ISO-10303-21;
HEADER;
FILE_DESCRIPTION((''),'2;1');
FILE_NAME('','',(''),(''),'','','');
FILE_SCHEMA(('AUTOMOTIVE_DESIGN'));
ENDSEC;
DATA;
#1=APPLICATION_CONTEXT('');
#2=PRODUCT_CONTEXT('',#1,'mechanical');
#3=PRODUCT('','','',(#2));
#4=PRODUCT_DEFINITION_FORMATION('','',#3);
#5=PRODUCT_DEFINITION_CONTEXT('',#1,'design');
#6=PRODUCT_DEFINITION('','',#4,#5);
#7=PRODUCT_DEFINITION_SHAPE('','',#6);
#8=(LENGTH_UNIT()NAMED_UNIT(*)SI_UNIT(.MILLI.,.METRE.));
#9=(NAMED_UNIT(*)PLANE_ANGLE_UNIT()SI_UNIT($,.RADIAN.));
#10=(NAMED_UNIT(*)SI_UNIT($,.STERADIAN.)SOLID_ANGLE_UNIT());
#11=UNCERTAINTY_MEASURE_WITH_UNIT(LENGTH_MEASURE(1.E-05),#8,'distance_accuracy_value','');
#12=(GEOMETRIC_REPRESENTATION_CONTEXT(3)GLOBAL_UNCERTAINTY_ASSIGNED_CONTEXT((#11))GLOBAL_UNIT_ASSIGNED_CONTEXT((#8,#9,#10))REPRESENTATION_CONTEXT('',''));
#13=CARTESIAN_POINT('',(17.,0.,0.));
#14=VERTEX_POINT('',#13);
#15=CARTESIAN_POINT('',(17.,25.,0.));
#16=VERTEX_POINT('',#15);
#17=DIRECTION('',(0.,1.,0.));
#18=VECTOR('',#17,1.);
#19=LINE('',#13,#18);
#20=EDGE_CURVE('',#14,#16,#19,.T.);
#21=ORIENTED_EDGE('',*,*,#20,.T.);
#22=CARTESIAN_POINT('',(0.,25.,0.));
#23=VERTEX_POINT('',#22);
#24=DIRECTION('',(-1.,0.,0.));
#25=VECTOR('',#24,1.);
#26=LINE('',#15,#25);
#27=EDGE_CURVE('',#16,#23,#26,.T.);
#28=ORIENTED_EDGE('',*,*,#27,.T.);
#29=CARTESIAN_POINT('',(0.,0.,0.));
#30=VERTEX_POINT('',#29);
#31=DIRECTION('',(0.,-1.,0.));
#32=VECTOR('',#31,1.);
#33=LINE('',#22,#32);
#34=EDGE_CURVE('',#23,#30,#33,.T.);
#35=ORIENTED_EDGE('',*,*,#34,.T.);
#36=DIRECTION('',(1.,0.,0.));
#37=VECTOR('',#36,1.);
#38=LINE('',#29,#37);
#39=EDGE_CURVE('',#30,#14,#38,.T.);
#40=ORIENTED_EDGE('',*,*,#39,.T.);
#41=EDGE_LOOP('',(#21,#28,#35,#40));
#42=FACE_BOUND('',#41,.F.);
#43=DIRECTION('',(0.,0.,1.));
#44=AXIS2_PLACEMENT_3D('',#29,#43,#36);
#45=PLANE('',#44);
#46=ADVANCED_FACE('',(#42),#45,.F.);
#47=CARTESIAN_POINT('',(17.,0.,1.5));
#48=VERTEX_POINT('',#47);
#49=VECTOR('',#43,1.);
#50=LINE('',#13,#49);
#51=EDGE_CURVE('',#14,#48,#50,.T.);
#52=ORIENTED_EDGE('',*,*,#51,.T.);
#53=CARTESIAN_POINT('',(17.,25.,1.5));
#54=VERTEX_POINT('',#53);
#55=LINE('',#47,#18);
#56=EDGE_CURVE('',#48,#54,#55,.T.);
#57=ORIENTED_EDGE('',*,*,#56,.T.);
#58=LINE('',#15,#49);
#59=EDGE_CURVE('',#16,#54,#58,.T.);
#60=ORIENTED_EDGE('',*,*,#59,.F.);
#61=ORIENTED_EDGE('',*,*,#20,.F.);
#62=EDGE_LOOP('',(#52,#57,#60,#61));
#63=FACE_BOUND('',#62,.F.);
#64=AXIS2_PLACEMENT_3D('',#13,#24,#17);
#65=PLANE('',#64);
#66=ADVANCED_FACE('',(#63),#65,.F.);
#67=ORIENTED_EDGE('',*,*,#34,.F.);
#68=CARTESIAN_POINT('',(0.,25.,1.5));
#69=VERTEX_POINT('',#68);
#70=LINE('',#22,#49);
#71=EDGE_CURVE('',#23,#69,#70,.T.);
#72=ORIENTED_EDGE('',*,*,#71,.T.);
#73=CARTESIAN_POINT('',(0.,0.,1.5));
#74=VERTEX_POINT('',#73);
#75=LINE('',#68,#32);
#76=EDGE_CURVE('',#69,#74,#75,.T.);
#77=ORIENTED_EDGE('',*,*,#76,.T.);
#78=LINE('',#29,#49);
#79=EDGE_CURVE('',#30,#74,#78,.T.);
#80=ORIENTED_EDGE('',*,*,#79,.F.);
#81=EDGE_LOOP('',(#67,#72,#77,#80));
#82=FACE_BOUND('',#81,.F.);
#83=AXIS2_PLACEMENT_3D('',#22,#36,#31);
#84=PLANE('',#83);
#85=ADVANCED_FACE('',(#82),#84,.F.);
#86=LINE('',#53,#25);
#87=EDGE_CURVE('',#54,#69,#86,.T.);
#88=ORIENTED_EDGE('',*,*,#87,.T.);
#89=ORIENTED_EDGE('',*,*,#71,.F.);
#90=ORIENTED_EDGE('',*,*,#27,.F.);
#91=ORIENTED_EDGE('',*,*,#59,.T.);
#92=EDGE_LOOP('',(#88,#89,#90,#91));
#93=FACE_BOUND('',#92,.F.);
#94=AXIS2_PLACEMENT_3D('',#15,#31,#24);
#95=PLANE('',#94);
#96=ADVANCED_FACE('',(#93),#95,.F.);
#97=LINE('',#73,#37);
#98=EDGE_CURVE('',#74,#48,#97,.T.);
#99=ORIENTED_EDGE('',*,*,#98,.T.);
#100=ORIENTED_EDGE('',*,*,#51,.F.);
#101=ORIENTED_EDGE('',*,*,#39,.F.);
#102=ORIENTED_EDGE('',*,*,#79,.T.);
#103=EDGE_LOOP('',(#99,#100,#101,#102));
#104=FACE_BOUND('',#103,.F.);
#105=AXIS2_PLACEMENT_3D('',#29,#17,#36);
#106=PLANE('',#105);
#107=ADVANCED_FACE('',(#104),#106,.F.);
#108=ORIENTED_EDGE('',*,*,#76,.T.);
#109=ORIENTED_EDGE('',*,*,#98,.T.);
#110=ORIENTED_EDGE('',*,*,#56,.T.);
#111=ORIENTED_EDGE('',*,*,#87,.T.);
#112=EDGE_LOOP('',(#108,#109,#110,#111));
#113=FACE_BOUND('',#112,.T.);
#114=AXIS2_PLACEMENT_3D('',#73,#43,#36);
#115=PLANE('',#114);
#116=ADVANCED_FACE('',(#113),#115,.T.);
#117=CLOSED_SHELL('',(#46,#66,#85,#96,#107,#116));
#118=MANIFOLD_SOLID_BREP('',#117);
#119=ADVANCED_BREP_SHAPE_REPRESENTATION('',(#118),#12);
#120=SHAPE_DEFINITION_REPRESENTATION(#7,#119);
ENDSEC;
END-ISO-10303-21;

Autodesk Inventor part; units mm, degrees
ref_plane "YZ Plane" through (0, 0, 0) normal (1, 0, 0) x (0, 1, 0)
ref_plane "XZ Plane" through (0, 0, 0) normal (0, 1, 0) x (-1, 0, 0)
ref_plane "XY Plane" through (0, 0, 0) normal (0, 0, 1) x (1, 0, 0)
sketch "Sketch1" plane through (0, 0, 0) normal (0, 0, 1) x (1, 0, 0)
  line L0 (0, 0) -> (17, 0)
  line L1 (17, 0) -> (17, 25)
  line L2 (17, 25) -> (0, 25)
  line L3 (0, 25) -> (0, 0)
  dimension "d0" = 17
  dimension "d1" = 25
extrude "Extrusion1" add sketch "Sketch1" along normal blind 1.5
properties part number "SmallTab" material "Copper, Alloy"
